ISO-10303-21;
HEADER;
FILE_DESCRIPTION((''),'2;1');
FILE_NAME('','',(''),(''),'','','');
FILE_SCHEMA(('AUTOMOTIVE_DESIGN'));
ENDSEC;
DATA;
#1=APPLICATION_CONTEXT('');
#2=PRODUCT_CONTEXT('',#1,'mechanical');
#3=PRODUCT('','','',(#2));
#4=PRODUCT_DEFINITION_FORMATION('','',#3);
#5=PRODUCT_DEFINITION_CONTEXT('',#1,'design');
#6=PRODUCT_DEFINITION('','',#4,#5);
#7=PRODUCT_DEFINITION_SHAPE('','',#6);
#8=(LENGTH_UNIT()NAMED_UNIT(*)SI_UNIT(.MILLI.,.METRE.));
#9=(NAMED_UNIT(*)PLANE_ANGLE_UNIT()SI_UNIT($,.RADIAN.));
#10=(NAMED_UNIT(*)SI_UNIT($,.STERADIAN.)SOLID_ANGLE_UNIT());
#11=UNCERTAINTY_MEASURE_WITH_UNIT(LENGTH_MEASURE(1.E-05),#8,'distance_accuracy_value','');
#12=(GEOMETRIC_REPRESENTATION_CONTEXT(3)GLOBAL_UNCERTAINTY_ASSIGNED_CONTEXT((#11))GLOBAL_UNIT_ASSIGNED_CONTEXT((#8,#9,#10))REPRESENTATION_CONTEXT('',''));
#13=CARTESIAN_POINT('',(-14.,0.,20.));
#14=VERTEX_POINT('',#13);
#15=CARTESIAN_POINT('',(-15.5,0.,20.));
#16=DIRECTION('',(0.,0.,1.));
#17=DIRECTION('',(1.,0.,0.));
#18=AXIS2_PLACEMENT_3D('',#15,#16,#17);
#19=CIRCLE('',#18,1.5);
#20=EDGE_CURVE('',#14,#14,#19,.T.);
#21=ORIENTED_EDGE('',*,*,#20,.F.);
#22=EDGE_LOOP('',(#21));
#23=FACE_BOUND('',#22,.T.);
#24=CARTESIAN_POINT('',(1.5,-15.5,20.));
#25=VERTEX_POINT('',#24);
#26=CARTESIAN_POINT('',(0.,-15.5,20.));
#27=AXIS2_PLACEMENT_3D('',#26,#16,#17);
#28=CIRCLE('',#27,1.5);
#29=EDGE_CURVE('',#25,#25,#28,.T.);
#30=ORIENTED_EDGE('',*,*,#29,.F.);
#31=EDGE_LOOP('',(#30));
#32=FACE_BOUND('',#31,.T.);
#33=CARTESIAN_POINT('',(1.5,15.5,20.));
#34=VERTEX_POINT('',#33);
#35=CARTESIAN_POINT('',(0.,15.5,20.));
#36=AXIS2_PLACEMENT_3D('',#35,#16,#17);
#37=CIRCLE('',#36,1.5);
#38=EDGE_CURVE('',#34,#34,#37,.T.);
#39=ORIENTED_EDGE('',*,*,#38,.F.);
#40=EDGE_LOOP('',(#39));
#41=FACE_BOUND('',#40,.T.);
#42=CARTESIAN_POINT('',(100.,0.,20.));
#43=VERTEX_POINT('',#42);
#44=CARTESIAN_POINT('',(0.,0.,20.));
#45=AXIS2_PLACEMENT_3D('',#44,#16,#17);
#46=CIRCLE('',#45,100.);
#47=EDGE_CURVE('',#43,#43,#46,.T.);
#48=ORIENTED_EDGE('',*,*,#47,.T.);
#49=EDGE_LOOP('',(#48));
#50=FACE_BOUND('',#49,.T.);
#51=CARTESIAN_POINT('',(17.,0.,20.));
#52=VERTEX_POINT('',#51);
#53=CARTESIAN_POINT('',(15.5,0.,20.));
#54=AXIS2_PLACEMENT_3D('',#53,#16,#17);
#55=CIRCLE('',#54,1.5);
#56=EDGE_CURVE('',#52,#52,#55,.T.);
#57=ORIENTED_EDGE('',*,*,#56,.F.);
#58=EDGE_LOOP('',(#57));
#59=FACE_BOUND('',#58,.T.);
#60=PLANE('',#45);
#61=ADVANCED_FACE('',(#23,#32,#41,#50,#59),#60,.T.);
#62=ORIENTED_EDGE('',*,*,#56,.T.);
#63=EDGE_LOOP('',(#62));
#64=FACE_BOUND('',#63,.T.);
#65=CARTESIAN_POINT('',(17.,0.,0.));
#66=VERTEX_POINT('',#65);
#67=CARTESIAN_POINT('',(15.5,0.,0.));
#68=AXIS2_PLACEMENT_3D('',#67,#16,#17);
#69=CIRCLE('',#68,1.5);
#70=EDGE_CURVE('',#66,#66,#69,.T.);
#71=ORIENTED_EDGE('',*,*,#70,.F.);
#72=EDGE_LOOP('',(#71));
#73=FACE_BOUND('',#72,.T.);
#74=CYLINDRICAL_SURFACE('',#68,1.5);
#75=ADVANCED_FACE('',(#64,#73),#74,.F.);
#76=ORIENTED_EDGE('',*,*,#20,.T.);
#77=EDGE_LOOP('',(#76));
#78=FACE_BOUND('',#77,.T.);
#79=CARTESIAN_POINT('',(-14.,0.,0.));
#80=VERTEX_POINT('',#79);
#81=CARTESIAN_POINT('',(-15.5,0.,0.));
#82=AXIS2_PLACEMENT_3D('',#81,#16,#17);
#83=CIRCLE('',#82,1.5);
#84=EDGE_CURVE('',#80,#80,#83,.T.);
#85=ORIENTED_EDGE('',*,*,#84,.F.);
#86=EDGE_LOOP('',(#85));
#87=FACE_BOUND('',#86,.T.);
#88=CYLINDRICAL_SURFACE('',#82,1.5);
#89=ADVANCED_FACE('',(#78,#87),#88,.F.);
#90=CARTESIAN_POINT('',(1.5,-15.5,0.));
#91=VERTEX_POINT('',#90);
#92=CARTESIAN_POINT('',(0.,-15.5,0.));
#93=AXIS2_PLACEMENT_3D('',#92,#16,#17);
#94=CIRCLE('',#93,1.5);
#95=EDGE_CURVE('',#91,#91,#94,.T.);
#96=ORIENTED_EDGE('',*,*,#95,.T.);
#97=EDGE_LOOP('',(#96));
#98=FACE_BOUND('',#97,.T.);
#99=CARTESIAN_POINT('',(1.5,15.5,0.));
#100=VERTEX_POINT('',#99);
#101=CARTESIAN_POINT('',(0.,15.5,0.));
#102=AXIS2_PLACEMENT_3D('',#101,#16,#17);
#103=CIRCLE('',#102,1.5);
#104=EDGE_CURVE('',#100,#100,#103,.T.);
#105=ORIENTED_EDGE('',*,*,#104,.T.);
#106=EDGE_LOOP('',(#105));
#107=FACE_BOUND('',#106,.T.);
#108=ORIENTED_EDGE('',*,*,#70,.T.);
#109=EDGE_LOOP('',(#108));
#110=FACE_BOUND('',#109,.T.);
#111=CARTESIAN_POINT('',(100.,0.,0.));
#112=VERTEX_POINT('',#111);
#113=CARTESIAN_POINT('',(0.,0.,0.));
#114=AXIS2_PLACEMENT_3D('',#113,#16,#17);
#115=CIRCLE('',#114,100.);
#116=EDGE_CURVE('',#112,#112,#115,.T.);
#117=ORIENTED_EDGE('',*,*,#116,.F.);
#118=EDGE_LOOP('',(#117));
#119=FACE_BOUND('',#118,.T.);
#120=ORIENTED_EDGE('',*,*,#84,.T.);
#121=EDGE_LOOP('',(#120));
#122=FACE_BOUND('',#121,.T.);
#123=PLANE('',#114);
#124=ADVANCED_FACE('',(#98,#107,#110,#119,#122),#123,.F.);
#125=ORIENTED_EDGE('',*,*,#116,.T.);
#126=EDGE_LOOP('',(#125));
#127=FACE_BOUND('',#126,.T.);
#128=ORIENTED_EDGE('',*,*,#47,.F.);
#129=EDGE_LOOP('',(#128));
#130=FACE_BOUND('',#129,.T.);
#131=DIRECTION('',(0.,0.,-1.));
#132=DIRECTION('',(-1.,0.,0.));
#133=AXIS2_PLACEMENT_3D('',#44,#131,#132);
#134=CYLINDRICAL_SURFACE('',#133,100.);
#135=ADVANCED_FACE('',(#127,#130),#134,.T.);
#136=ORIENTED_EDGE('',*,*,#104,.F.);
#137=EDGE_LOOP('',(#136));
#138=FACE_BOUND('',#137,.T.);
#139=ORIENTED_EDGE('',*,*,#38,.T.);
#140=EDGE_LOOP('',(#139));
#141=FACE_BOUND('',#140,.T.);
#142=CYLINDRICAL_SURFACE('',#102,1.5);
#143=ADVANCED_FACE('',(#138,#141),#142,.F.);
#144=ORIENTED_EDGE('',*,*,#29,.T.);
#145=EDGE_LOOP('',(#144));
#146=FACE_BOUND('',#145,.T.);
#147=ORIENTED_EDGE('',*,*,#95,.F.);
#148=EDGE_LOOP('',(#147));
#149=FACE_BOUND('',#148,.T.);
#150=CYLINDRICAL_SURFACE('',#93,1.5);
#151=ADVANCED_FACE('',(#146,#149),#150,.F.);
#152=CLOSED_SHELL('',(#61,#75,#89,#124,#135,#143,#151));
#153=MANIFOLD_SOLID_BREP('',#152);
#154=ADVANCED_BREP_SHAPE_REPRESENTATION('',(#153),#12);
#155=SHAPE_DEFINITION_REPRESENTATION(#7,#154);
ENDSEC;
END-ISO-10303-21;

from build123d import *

# Parameters (mm, degrees)
SKETCH_1_R          = 100
EXTRUDE_1_DEPTH     = 20
SKETCH_2_R          = 1.5
CUT_EXTRUDE_1_DEPTH = 20


with BuildPart() as part:
    # 草图1 → 凸台-拉伸1 (new body)
    with BuildSketch(Plane.XY):
        Circle(SKETCH_1_R)
    extrude(amount=EXTRUDE_1_DEPTH)

    # 草图2 → 切除-拉伸1 (cut)
    with BuildSketch(Plane.XY.offset(20)):
        with Locations((0, 15.5)):
            Circle(SKETCH_2_R)
        with Locations((-15.5, 0)):
            Circle(SKETCH_2_R)
        with Locations((15.5, 0)):
            Circle(SKETCH_2_R)
        with Locations((0, -15.5)):
            Circle(SKETCH_2_R)
    extrude(amount=-CUT_EXTRUDE_1_DEPTH, mode=Mode.SUBTRACT)


solid = part.part
